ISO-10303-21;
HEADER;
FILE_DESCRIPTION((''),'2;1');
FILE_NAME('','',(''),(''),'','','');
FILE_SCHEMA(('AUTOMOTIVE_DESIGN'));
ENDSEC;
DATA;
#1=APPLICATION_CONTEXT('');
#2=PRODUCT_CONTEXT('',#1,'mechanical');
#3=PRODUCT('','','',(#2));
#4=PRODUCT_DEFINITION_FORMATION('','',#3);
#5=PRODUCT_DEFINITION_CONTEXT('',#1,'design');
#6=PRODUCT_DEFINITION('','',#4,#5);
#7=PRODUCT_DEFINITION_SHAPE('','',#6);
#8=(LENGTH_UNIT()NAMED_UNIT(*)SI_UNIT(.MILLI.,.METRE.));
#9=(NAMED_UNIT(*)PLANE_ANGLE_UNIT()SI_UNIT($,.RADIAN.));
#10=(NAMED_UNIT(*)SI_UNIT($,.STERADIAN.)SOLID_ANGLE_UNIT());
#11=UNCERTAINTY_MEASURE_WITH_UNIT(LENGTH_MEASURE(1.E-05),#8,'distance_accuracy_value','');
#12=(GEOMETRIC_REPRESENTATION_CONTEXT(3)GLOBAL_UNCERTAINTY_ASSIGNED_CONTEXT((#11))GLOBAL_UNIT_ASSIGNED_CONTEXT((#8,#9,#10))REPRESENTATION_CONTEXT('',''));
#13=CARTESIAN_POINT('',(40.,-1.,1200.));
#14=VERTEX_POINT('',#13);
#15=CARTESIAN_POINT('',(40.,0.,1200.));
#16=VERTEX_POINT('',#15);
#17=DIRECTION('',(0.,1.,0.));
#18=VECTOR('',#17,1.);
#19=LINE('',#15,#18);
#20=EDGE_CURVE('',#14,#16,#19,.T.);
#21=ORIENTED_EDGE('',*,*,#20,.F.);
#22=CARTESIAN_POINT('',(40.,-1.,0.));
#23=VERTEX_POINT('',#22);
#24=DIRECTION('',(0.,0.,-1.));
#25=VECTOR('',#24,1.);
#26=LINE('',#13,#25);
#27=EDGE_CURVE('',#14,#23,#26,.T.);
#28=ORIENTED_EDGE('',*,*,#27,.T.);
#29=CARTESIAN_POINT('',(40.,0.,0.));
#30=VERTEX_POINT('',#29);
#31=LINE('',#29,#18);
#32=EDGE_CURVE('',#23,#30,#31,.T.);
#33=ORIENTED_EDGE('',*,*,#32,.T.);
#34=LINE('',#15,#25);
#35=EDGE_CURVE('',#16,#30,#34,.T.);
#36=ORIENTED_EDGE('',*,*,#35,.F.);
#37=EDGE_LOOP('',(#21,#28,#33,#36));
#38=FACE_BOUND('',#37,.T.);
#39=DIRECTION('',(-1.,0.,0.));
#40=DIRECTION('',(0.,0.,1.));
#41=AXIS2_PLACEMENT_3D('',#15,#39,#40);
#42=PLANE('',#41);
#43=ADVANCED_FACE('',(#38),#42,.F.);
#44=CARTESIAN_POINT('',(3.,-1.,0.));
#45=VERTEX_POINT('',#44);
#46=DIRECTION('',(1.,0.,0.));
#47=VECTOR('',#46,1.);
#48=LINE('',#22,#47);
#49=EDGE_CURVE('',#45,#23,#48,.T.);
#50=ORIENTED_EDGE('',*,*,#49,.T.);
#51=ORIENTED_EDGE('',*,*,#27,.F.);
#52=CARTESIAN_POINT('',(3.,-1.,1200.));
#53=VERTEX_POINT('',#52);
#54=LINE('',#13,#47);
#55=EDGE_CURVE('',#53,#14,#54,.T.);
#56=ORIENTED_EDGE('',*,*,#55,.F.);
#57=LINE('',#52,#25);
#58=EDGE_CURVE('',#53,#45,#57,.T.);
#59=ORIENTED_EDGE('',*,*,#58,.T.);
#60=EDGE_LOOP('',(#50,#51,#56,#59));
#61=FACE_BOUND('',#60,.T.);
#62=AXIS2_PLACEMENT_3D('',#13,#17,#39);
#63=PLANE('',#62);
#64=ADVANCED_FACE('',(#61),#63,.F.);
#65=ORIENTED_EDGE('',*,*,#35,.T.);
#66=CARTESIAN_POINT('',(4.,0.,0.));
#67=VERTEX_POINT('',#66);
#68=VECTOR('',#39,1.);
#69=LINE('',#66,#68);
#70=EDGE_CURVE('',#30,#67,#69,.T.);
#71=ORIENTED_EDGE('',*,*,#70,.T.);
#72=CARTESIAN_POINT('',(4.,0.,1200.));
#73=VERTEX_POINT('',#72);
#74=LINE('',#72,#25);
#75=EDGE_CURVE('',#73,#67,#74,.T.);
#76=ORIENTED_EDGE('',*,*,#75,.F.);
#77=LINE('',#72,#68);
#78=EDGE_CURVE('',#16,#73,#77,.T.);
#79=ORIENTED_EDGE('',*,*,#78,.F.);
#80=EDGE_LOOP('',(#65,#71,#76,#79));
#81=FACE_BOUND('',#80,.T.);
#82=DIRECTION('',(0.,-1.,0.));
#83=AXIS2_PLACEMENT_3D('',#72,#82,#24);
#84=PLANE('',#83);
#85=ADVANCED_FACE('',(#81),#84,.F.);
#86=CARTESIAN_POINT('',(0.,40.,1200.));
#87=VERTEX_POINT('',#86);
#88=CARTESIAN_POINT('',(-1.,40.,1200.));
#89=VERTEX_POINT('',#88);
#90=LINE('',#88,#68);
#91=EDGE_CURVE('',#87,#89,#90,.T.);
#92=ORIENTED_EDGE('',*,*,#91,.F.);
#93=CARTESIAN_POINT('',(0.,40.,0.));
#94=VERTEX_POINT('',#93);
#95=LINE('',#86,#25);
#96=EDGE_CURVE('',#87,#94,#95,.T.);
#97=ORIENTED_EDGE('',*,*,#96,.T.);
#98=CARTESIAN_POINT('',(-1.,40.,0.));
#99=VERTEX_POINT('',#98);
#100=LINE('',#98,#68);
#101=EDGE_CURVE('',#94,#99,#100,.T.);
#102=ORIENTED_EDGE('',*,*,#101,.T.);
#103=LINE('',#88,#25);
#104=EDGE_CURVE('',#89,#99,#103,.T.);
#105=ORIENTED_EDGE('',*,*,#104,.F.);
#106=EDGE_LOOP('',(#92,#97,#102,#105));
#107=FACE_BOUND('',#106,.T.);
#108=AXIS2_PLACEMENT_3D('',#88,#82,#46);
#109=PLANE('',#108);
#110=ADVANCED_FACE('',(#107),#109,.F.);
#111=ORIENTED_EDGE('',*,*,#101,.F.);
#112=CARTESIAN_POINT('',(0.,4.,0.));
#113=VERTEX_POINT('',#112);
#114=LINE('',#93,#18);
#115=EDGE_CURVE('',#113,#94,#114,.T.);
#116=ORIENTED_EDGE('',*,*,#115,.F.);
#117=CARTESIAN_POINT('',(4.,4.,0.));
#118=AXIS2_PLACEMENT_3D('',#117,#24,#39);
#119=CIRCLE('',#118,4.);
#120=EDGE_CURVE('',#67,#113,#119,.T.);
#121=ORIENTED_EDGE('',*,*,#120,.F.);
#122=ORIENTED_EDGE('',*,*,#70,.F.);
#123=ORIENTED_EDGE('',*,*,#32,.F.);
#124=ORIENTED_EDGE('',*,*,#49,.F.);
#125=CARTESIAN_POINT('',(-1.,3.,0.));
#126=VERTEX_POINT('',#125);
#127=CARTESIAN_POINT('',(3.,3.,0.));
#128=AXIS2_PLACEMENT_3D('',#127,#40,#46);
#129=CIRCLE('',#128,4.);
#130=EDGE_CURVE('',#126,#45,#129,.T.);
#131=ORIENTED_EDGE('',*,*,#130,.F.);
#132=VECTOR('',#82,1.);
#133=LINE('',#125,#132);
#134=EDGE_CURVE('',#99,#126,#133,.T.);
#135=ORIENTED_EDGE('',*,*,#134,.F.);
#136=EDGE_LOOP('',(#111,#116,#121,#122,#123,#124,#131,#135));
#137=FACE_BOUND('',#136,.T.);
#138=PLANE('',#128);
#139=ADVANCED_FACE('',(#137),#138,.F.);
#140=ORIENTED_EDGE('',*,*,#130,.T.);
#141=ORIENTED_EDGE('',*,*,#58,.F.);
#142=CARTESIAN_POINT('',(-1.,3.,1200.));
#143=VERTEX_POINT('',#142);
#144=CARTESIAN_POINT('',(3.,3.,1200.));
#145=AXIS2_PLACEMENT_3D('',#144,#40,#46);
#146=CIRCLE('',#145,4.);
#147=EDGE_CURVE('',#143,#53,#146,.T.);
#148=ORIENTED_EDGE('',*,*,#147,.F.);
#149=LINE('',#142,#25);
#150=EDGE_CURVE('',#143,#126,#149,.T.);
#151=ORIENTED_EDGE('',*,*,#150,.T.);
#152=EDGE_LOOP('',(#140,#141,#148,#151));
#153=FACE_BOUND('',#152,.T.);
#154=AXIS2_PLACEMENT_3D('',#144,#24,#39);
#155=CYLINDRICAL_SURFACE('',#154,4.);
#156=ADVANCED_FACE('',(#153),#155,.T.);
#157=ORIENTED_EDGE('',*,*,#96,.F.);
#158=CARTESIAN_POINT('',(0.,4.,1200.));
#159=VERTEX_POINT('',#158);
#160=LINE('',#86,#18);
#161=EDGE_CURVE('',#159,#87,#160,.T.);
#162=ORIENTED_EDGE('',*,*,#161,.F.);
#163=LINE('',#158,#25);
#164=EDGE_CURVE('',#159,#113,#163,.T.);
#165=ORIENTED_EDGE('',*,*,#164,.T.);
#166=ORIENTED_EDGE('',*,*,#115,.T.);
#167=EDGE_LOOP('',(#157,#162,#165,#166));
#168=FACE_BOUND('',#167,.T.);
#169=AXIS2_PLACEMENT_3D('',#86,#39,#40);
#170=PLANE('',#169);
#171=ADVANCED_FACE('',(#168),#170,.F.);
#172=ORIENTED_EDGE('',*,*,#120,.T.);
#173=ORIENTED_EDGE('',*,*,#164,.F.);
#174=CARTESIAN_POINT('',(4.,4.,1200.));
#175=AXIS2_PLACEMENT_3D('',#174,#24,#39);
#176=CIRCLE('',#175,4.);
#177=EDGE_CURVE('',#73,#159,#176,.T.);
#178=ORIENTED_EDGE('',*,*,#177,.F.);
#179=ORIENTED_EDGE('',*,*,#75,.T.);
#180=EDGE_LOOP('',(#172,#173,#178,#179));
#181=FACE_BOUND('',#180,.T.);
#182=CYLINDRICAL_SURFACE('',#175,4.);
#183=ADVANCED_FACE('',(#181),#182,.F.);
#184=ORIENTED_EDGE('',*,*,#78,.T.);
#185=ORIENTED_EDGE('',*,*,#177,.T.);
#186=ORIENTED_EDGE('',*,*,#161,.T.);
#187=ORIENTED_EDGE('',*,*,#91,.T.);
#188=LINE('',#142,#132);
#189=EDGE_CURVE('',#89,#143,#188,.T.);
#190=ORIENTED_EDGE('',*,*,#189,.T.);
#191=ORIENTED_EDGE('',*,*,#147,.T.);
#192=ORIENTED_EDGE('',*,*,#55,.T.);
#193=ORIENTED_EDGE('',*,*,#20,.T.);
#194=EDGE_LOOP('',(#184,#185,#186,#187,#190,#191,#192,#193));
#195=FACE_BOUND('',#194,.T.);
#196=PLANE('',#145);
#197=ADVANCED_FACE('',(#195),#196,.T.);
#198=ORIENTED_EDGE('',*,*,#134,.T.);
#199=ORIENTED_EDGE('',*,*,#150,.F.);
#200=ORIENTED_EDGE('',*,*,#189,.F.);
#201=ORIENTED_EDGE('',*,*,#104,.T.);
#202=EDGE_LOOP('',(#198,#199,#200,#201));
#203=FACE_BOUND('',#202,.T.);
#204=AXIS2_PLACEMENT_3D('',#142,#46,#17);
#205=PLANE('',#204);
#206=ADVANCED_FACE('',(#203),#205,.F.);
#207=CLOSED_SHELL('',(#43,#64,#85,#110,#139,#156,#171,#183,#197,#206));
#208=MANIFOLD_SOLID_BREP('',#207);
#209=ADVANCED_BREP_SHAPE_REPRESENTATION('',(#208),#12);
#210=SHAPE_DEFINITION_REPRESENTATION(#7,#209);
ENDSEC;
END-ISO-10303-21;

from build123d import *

# Parameters (mm, degrees)
BOSS_EXTRUDE1_DEPTH = 1200


with BuildPart() as part:
    # Sketch1 → Boss-Extrude1 (new body)
    with BuildSketch(Plane.XY):
        with BuildLine():
            Line((4, 0), (40, 0))
            Line((40, 0), (40, -1))
            Line((40, -1), (3, -1))
            ThreePointArc((3, -1), (0.171572875, 0.171572875), (-1, 3))
            Line((-1, 3), (-1, 40))
            Line((-1, 40), (0, 40))
            Line((0, 40), (0, 4))
            ThreePointArc((0, 4), (1.171572875, 1.171572875), (4, 0))
        make_face()
    extrude(amount=BOSS_EXTRUDE1_DEPTH)


solid = part.part
